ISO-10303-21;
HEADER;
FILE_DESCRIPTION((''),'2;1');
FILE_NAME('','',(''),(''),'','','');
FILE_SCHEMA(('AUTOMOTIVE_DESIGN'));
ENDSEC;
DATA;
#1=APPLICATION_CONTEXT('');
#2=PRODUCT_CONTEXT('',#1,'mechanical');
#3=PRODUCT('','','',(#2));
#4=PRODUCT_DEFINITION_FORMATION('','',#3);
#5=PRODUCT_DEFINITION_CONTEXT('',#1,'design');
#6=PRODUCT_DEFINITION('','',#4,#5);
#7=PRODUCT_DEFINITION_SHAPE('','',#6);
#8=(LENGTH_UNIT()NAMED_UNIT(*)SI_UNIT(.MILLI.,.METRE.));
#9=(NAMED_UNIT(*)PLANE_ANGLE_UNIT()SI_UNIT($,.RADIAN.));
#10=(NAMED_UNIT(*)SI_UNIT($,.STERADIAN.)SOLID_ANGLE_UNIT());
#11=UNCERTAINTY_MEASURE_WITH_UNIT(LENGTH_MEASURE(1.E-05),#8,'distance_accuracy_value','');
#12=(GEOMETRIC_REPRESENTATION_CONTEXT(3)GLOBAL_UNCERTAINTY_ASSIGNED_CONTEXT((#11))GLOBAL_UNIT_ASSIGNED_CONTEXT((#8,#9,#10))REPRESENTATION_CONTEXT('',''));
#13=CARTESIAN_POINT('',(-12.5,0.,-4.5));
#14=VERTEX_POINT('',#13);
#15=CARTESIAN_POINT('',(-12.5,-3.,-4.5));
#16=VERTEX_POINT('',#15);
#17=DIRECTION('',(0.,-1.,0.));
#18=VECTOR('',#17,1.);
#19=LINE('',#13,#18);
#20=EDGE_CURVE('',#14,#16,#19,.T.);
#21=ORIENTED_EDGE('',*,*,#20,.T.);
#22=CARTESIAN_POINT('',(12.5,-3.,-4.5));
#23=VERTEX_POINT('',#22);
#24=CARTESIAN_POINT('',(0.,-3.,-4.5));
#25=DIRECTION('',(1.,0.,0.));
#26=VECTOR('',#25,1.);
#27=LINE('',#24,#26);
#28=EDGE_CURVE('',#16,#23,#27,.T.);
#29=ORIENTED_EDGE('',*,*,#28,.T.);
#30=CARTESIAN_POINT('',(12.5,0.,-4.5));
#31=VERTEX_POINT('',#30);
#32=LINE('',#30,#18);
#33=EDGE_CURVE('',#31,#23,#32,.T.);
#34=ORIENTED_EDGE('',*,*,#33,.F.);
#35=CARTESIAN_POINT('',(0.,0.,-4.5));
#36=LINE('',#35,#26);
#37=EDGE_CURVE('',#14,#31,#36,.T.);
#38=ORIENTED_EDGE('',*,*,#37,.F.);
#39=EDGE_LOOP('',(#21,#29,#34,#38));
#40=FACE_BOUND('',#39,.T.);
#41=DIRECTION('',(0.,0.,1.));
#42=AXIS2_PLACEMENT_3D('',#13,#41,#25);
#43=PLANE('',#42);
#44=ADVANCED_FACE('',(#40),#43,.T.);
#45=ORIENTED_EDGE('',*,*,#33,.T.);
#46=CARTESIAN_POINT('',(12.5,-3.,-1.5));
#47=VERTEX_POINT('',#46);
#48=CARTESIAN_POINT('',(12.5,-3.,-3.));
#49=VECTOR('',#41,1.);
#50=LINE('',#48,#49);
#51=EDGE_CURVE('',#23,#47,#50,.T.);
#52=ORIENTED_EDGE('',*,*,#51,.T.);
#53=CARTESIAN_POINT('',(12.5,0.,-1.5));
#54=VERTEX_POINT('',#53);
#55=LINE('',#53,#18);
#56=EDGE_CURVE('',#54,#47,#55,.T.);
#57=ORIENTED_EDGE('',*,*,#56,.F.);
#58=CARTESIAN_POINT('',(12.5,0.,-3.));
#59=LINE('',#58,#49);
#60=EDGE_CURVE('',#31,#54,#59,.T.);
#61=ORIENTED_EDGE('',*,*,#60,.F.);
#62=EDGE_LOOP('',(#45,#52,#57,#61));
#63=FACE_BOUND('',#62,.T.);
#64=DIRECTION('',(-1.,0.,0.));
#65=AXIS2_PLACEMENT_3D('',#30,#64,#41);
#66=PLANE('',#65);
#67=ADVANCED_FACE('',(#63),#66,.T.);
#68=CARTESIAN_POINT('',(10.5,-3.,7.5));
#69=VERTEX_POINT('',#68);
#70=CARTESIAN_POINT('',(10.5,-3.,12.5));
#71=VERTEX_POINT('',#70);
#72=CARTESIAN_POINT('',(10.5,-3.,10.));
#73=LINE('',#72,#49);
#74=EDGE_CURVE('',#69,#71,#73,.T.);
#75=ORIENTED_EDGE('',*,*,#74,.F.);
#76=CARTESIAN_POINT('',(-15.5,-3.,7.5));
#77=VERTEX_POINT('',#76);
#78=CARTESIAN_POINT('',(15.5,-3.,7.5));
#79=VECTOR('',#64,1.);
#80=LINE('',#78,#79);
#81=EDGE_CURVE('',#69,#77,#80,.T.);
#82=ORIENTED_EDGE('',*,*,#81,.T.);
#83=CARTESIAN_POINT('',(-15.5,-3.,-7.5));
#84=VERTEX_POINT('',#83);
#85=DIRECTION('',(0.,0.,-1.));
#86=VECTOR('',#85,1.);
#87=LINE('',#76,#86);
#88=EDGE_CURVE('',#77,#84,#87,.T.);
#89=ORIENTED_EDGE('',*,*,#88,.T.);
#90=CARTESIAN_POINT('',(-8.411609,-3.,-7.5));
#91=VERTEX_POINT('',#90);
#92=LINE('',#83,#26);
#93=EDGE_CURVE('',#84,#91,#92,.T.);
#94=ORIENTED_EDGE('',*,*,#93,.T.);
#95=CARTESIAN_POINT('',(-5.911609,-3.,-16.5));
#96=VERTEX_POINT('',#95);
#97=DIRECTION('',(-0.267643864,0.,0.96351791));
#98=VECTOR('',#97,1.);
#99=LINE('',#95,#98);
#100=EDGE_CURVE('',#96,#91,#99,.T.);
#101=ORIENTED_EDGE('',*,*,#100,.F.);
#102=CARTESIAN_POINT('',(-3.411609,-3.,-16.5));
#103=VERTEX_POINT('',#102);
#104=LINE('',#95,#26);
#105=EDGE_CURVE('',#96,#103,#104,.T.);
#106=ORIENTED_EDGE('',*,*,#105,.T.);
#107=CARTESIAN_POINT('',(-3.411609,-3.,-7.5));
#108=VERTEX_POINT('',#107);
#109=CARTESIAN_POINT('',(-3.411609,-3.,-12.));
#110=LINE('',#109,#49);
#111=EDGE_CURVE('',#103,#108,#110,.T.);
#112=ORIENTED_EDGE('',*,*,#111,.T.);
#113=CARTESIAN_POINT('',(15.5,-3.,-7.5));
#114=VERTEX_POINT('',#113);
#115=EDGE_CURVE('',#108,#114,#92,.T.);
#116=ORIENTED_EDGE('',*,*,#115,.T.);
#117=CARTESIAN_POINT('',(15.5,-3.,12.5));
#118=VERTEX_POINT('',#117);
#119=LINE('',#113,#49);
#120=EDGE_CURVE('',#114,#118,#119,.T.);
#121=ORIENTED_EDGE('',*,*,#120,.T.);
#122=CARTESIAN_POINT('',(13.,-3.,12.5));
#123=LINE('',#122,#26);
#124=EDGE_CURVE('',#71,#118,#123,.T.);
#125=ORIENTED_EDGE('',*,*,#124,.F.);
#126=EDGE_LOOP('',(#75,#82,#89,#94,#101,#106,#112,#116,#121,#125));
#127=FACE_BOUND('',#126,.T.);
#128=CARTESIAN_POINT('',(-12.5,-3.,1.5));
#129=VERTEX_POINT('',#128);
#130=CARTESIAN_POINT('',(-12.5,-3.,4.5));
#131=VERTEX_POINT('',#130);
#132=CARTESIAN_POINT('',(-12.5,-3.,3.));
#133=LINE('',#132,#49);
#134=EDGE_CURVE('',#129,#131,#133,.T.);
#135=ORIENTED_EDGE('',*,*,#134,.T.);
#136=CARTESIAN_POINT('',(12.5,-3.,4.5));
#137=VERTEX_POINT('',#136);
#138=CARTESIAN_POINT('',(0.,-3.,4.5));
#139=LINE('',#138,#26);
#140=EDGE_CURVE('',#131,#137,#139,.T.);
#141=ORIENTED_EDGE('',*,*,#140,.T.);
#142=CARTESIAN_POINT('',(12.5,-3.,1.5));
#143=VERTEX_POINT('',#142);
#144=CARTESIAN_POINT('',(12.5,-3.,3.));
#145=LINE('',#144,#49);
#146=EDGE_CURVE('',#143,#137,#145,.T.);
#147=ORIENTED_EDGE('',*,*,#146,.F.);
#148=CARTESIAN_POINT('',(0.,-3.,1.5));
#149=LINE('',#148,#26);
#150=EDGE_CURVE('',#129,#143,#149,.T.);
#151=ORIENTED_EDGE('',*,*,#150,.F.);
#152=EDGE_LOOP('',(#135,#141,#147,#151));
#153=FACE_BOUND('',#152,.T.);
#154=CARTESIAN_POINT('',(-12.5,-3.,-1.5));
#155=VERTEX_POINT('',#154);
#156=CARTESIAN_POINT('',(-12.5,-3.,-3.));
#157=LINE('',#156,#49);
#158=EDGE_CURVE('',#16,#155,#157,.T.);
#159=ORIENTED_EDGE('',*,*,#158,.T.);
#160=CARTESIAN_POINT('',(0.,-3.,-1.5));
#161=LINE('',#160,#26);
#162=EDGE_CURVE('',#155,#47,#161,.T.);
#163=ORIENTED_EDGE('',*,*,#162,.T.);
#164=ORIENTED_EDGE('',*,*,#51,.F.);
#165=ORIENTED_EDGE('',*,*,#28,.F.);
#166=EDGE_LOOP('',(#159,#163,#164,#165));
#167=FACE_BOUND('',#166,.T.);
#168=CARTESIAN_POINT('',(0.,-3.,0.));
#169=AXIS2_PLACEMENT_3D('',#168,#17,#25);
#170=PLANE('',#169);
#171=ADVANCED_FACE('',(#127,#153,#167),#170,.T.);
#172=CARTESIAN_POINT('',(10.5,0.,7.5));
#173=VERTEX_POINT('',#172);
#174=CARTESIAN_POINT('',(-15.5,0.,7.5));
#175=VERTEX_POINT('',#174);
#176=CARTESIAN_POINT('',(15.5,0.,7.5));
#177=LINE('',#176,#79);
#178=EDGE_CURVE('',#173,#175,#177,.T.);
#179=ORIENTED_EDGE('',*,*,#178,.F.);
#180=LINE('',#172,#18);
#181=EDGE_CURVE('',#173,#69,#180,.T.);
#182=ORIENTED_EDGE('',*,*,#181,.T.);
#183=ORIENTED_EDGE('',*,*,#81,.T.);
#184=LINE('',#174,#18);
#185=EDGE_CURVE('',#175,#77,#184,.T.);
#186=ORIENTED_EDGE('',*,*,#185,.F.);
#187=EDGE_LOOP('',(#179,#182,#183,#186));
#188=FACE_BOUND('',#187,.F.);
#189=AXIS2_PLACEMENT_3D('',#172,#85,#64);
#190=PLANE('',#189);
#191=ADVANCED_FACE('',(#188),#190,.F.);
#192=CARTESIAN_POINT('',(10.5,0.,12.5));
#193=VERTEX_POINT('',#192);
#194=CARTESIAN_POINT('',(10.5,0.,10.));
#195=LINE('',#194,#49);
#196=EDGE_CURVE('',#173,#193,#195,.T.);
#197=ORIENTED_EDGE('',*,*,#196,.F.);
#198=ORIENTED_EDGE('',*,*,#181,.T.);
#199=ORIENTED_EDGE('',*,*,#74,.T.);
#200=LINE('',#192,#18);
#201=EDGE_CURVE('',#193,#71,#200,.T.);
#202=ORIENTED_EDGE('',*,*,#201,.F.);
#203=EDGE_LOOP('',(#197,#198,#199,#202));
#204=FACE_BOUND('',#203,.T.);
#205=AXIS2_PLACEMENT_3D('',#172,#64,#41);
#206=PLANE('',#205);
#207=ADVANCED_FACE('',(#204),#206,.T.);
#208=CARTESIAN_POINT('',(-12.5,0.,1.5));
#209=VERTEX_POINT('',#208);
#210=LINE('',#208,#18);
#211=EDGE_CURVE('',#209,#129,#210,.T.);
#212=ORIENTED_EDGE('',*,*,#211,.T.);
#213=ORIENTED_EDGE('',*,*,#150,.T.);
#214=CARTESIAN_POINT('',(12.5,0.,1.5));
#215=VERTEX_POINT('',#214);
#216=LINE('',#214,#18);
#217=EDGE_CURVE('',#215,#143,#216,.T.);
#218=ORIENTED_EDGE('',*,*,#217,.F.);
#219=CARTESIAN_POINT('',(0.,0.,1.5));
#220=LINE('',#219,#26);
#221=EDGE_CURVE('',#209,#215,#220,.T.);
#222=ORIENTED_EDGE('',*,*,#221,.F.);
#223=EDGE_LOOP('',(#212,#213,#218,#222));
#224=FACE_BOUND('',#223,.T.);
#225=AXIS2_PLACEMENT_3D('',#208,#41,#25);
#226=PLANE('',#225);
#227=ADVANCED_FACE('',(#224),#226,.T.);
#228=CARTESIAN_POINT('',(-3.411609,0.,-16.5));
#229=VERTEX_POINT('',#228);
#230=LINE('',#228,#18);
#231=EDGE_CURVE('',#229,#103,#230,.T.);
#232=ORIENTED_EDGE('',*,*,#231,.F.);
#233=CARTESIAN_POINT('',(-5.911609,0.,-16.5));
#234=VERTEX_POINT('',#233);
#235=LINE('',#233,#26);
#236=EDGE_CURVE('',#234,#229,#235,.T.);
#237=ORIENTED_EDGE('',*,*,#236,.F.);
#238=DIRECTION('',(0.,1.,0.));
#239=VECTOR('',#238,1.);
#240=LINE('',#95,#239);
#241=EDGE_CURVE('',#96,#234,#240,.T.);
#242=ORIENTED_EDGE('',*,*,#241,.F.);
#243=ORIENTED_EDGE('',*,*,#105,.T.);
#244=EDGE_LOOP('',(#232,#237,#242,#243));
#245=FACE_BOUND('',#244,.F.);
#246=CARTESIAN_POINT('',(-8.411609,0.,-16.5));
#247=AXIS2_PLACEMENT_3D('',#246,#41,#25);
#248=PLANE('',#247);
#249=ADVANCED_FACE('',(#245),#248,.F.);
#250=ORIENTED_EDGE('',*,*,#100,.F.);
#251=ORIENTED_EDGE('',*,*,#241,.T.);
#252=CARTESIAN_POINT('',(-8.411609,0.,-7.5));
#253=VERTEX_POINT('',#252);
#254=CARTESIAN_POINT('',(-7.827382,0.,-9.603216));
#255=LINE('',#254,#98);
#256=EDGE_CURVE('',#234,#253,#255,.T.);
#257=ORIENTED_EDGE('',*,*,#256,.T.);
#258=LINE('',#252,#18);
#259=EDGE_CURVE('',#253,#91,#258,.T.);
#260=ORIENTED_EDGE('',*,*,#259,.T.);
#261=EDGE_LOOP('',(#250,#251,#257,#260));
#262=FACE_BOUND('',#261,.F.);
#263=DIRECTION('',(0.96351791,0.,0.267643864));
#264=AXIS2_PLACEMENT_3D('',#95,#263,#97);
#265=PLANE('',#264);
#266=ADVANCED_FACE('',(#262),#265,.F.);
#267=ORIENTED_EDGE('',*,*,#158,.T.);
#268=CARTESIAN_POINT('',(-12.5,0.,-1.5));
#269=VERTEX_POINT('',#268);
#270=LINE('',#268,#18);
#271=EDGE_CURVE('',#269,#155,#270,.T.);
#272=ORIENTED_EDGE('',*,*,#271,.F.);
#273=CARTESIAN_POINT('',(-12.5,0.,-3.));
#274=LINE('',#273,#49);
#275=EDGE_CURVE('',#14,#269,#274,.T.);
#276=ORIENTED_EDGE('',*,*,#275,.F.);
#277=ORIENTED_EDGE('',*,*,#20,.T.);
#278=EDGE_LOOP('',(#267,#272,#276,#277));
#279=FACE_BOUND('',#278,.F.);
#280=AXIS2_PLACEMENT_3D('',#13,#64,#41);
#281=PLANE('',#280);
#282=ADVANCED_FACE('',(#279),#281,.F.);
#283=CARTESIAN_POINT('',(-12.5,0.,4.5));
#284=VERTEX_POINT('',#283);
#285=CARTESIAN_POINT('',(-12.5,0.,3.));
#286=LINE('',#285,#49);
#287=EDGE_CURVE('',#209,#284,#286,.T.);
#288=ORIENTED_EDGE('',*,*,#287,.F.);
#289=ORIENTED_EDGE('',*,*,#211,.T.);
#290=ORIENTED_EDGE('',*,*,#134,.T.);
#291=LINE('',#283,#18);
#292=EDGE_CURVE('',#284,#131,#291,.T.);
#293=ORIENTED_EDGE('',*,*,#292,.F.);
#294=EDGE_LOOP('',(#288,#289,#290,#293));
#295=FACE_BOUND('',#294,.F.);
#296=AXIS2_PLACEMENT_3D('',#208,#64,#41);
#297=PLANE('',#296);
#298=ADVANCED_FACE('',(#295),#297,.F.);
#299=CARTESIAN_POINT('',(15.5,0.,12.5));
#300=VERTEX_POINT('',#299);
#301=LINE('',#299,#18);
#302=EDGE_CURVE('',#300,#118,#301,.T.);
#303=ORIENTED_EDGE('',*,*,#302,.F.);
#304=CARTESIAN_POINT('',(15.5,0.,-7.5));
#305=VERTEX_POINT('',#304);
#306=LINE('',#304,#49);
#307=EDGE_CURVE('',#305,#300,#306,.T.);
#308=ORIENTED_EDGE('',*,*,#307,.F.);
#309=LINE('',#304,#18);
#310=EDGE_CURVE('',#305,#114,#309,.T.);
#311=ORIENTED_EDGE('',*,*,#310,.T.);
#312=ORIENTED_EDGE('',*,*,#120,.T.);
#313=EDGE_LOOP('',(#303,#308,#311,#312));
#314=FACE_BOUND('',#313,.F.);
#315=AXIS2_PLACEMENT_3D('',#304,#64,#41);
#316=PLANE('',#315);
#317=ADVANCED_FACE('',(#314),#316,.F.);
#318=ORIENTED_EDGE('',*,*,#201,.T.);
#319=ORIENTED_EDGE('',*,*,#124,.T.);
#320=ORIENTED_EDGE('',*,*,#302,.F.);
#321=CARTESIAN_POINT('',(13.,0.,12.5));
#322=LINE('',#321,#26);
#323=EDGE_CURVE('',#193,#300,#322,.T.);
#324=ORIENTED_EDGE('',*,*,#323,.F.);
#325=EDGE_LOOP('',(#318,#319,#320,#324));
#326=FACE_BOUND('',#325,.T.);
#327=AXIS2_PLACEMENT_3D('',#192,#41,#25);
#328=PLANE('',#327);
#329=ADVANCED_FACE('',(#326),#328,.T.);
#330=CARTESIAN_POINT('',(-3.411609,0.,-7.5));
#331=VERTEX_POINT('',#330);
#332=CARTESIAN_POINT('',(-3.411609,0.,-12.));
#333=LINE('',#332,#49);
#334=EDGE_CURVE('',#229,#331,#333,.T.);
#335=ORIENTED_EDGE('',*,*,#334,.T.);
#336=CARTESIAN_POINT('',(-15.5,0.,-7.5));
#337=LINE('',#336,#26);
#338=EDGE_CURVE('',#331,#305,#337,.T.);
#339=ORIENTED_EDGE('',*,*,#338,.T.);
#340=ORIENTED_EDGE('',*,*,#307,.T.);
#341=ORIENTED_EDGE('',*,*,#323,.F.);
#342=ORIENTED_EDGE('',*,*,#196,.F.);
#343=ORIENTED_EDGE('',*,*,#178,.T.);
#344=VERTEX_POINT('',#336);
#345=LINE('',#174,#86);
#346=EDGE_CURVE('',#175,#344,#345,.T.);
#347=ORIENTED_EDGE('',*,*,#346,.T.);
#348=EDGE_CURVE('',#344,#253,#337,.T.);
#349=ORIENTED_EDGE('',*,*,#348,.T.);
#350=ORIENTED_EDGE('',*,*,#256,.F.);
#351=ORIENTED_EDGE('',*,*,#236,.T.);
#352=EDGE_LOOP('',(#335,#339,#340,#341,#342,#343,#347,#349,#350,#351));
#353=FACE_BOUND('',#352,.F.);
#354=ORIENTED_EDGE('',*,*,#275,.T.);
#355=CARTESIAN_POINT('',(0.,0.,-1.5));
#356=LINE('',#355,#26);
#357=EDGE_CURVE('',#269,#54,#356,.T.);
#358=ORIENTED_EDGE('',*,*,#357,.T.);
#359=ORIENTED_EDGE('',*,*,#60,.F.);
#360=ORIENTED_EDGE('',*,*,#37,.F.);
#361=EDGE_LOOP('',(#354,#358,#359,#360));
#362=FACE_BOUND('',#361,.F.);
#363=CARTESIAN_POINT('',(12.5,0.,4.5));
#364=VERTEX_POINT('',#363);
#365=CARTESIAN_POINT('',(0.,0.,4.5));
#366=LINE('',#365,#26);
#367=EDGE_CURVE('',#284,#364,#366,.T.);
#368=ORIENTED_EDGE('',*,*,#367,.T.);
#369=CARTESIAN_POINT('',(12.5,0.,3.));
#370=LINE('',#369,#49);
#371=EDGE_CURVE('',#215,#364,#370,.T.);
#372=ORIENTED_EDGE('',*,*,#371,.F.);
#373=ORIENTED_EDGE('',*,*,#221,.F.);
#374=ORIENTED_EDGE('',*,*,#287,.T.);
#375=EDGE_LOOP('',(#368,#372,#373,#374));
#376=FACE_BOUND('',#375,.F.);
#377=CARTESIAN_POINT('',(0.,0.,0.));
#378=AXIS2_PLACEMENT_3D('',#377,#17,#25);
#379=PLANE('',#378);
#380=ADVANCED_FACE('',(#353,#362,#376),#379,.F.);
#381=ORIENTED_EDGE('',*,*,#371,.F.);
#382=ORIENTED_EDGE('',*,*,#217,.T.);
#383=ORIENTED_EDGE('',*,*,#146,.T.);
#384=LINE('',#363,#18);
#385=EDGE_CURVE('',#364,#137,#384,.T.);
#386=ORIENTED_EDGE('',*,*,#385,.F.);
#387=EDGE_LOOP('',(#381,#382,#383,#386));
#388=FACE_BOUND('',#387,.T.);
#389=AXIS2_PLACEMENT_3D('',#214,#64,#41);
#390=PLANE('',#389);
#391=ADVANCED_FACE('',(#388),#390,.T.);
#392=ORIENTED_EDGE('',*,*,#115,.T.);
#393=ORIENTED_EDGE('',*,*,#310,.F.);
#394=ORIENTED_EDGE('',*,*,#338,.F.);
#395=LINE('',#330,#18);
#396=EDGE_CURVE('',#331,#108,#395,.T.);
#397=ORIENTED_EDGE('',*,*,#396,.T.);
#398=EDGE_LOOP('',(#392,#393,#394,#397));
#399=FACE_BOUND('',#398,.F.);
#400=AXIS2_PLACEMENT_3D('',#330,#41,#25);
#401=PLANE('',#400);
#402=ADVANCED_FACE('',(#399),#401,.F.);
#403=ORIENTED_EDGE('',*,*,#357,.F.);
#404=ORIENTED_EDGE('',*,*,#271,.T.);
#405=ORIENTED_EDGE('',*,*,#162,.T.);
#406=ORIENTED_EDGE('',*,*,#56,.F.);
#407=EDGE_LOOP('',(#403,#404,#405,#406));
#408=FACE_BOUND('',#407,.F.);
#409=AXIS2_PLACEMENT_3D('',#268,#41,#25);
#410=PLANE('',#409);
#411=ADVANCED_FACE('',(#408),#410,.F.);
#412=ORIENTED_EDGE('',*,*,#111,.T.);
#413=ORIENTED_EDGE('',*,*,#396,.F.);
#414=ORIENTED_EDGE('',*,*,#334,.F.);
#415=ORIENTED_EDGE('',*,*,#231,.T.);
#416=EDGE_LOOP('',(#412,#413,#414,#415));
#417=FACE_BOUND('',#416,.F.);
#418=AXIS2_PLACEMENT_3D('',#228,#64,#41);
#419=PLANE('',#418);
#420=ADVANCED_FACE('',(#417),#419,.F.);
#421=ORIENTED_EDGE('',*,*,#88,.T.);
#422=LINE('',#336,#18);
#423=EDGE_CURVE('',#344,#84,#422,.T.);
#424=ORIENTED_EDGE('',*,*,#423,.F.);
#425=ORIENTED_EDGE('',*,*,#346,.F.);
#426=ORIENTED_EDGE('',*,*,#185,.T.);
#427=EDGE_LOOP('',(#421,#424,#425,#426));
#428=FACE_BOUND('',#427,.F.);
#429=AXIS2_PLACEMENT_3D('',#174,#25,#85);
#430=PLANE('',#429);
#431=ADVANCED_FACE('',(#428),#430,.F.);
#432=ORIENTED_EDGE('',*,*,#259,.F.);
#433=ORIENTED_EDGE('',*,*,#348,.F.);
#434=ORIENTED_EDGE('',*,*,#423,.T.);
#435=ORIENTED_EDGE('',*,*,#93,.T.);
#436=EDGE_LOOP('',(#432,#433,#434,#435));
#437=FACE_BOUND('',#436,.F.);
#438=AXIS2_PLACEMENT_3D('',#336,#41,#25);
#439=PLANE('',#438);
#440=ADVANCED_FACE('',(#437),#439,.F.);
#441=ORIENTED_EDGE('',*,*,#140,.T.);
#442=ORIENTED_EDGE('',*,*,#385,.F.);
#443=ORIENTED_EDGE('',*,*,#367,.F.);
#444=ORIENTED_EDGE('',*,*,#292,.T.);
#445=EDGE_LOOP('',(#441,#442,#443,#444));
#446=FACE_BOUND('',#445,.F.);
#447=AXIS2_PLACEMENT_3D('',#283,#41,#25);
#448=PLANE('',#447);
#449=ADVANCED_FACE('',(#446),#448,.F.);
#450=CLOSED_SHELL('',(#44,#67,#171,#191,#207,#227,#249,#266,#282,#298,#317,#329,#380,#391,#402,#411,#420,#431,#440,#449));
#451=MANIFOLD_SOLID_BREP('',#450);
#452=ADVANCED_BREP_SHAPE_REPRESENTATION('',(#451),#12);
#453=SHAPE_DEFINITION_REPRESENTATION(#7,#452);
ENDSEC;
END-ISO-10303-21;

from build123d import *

# Parameters (mm, degrees)
F0_W     = 25
F0_H     = 3
F0_W_2   = 5
F0_H_2   = 5
F0_H_3   = 9
F1_DEPTH = 3
F3_DEPTH = 25


with BuildPart() as f1:
    # F0 (on Front) → F1 (new body)
    with BuildSketch(Plane.XZ):
        Polygon((15.5, -7.5), (15.5, 7.5), (10.5, 7.5), (-15.5, 7.5), (-15.5, -7.5), (-8.411609, -7.5), (-3.411609, -7.5), align=None)
        with Locations((0, -3)):
            Rectangle(F0_W, F0_H, mode=Mode.SUBTRACT)
        with Locations((0, 3)):
            Rectangle(F0_W, F0_H, mode=Mode.SUBTRACT)
        with Locations((13, 10)):
            Rectangle(F0_W_2, F0_H_2)
        with Locations((-5.911609, -12)):
            Rectangle(F0_W_2, F0_H_3)
    extrude(amount=F1_DEPTH)

    # F2 (on face) → F3 (cut)
    with BuildSketch(Plane.XZ.offset(3)):
        Polygon((-5.911609, -16.5), (-8.411609, -7.5), (-8.411609, -16.5), align=None)
    extrude(amount=-F3_DEPTH, mode=Mode.SUBTRACT)


solid = f1.part
